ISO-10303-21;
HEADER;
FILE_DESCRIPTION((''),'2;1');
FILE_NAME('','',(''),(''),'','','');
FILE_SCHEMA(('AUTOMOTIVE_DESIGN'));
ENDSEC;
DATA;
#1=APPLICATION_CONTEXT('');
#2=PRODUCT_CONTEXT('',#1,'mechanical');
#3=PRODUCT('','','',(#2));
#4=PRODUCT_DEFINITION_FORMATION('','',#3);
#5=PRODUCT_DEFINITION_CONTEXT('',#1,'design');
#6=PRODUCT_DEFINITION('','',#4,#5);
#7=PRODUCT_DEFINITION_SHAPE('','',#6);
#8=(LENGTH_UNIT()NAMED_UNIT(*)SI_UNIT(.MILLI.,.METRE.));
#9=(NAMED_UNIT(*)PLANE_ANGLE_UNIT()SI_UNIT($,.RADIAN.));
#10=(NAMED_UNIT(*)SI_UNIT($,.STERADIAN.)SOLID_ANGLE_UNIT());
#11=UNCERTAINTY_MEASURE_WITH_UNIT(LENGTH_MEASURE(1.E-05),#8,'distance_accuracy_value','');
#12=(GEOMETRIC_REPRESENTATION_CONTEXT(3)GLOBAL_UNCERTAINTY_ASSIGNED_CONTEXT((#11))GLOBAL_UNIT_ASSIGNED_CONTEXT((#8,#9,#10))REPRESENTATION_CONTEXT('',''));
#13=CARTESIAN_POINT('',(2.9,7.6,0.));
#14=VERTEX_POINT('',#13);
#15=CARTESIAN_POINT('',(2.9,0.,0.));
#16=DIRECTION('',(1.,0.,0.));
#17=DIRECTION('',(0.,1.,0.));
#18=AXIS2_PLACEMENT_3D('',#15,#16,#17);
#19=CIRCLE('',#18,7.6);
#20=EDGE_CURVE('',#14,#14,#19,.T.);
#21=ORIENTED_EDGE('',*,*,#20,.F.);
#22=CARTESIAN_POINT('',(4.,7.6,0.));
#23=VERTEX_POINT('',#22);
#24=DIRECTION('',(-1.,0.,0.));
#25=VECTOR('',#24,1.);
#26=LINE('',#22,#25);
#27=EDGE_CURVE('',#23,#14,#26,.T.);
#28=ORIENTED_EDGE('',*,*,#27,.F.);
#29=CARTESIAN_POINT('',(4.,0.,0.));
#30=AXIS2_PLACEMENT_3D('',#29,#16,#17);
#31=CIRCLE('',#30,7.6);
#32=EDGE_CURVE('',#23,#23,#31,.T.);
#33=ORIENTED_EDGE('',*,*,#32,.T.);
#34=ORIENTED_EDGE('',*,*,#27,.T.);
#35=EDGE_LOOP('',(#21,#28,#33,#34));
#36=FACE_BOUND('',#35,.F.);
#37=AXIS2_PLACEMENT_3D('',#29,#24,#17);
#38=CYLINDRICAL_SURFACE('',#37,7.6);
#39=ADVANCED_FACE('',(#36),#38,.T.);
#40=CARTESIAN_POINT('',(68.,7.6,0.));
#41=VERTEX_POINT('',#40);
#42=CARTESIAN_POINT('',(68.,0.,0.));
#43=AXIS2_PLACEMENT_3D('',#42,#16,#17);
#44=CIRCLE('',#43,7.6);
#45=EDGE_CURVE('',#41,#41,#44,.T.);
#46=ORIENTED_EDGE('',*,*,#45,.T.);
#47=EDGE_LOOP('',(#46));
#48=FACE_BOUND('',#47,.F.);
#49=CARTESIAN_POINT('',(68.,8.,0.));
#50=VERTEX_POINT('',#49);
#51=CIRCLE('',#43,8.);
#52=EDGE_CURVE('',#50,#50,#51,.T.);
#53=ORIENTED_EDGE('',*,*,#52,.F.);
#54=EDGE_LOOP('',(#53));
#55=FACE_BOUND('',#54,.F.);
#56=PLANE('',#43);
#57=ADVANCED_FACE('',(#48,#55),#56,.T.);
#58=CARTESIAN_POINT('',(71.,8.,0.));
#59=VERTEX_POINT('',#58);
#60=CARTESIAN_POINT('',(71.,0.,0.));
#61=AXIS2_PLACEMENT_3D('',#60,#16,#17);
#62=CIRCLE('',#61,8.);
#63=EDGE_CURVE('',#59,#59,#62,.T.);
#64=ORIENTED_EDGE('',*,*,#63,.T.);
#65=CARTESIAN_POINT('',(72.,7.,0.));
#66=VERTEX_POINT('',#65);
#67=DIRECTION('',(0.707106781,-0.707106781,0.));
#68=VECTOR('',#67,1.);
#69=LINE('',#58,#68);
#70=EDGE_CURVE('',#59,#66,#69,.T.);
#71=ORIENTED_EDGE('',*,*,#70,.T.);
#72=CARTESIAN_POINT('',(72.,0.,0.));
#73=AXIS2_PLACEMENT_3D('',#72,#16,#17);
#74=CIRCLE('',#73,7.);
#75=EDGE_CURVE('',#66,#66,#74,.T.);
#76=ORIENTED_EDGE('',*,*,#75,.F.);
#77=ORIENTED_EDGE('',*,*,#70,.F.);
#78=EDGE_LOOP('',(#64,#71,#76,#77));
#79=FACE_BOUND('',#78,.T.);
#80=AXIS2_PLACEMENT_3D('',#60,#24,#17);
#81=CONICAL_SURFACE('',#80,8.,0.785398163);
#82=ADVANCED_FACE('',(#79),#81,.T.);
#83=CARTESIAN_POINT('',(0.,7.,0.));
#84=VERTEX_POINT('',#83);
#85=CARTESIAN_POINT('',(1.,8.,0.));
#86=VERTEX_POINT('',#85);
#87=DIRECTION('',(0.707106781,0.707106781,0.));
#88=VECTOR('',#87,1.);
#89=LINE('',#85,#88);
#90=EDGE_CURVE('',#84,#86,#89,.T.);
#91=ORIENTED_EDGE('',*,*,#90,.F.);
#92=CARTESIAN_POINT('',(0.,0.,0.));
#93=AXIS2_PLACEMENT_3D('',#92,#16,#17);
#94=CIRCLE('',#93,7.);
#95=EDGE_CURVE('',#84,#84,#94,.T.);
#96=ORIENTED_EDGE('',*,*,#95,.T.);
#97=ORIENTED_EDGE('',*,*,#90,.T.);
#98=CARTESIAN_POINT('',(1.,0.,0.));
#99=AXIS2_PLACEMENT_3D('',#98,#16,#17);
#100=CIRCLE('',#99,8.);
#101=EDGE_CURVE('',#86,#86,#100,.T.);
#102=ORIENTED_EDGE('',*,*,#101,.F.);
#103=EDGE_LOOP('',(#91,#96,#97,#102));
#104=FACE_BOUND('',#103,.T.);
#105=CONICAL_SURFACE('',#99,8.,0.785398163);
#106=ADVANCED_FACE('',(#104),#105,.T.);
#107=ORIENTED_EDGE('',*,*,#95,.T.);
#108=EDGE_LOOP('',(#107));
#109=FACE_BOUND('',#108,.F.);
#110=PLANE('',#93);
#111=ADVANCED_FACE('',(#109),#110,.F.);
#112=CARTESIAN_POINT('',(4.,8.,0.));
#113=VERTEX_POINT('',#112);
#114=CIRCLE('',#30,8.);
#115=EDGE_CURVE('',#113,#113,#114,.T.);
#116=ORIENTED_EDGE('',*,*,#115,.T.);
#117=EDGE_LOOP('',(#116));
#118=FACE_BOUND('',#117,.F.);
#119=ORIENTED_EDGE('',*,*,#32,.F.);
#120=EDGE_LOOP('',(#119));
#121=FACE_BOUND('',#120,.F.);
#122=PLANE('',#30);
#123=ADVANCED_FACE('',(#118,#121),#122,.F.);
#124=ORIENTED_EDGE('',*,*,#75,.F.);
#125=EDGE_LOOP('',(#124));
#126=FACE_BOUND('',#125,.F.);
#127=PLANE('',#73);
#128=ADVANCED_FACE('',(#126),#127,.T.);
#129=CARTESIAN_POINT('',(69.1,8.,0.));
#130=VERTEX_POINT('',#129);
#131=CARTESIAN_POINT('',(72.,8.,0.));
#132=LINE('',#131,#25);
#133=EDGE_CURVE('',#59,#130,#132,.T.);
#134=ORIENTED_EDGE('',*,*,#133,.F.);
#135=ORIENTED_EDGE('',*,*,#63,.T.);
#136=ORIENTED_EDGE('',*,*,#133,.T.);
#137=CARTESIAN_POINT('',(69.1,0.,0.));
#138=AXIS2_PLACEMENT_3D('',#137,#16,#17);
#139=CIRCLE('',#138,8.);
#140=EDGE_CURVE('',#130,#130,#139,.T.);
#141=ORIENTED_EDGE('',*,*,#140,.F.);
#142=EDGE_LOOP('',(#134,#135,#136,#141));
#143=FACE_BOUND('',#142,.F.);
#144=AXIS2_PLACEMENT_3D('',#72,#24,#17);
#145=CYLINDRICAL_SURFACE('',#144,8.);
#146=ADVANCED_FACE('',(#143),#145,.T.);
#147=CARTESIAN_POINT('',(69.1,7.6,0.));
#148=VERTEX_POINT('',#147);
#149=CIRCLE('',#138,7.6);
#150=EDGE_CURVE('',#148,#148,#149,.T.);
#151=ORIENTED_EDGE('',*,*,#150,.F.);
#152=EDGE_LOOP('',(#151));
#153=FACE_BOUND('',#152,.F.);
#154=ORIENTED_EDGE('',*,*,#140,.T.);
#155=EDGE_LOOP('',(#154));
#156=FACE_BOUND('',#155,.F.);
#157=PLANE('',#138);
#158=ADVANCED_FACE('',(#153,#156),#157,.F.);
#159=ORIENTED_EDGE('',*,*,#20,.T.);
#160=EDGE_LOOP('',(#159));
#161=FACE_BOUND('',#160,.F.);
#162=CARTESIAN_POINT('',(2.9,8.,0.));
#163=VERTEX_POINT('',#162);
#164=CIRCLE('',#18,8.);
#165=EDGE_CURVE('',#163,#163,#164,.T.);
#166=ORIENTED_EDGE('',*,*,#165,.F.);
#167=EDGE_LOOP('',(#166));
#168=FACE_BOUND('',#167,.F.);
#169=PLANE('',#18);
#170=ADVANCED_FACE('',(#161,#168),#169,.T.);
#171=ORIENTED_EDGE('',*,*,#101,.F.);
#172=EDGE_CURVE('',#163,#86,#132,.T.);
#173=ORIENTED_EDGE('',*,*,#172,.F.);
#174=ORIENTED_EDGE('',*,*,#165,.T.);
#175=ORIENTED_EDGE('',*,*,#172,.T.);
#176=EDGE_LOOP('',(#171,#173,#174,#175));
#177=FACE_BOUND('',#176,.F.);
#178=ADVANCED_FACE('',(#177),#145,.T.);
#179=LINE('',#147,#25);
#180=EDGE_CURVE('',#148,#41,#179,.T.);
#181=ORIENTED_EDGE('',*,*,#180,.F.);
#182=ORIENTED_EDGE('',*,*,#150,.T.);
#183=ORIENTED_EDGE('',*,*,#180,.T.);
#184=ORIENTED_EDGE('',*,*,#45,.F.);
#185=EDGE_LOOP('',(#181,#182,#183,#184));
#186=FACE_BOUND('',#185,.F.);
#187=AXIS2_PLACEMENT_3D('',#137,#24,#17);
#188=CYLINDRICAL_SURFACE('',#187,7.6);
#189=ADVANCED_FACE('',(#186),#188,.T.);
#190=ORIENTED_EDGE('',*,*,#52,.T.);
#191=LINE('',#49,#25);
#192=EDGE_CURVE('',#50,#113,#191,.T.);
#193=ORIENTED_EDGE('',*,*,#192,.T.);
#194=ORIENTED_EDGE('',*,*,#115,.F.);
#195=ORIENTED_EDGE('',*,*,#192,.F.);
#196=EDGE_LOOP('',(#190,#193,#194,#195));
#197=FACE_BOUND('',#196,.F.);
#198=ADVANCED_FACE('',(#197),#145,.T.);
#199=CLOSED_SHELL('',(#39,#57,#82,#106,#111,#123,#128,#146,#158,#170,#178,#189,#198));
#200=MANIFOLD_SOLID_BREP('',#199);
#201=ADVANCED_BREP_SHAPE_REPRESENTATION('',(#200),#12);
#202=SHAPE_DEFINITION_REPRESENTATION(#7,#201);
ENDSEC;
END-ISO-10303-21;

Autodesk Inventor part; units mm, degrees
ref_plane "YZ Plane" through (0, 0, 0) normal (1, 0, 0) x (0, 1, 0)
ref_plane "XZ Plane" through (0, 0, 0) normal (0, 1, 0) x (-1, 0, 0)
ref_plane "XY Plane" through (0, 0, 0) normal (0, 0, 1) x (1, 0, 0)
sketch "Sketch1" plane through (0, 0, 0) normal (0, 0, 1) x (1, 0, 0)
  line L0 (0, 0) -> (72, 0)
  line L1 (72, 0) -> (72, 8)
  line L2 (72, 8) -> (0, 8)
  line L3 (0, 8) -> (0, 0)
  line L4 (68, 8) -> (69.1, 8)
  line L5 (69.1, 8) -> (69.1, 7.6)
  line L6 (69.1, 7.6) -> (68, 7.6)
  line L7 (68, 7.6) -> (68, 8)
  line L8 (36, 8) -> (36, 0)
  line L9 (72, 0) -> (57, 0)
  line L10 (57, 0) -> (57, 3)
  line L11 (57, 3) -> (72, 3)
  line L12 (72, 3) -> (72, 0)
  line L13 (2.9, 8) -> (4, 8)
  line L14 (4, 8) -> (4, 7.6)
  line L15 (4, 7.6) -> (2.9, 7.6)
  line L16 (2.9, 7.6) -> (2.9, 8)
  point P0 (68.55, 7.6)
  point P1 (69.1, 7.8)
  point P2 (57, 0)
  point P3 (72, 3)
  point P4 (69.1, 8)
  point P5 (4, 8)
  dimension "d0" = 72
  dimension "d1" = 8
  dimension "d2" = 1.1
  dimension "d3" = 7.6
  dimension "d4" = 2.9
  dimension "d5" = 15
  dimension "d6" = 3
  dimension "d8" = 1.1
  dimension "d9" = 7.6
  dimension "d10" = 2.9
revolve "Revolution1" add sketch "Sketch1" angle 360 about axis through (0, 0, 0) along (1, 0, 0) contours L3 L2 L16 L15 L14 L8 L0 | L8 L2 L7 L6 L5 L1 L11 L10 L0 | L10 L11 L1 L0
chamfer "Chamfer1" distance 1 angle 45 2 edges at (0, -8, 0) (72, -8, 0)
properties part number "shaft potmeter"
